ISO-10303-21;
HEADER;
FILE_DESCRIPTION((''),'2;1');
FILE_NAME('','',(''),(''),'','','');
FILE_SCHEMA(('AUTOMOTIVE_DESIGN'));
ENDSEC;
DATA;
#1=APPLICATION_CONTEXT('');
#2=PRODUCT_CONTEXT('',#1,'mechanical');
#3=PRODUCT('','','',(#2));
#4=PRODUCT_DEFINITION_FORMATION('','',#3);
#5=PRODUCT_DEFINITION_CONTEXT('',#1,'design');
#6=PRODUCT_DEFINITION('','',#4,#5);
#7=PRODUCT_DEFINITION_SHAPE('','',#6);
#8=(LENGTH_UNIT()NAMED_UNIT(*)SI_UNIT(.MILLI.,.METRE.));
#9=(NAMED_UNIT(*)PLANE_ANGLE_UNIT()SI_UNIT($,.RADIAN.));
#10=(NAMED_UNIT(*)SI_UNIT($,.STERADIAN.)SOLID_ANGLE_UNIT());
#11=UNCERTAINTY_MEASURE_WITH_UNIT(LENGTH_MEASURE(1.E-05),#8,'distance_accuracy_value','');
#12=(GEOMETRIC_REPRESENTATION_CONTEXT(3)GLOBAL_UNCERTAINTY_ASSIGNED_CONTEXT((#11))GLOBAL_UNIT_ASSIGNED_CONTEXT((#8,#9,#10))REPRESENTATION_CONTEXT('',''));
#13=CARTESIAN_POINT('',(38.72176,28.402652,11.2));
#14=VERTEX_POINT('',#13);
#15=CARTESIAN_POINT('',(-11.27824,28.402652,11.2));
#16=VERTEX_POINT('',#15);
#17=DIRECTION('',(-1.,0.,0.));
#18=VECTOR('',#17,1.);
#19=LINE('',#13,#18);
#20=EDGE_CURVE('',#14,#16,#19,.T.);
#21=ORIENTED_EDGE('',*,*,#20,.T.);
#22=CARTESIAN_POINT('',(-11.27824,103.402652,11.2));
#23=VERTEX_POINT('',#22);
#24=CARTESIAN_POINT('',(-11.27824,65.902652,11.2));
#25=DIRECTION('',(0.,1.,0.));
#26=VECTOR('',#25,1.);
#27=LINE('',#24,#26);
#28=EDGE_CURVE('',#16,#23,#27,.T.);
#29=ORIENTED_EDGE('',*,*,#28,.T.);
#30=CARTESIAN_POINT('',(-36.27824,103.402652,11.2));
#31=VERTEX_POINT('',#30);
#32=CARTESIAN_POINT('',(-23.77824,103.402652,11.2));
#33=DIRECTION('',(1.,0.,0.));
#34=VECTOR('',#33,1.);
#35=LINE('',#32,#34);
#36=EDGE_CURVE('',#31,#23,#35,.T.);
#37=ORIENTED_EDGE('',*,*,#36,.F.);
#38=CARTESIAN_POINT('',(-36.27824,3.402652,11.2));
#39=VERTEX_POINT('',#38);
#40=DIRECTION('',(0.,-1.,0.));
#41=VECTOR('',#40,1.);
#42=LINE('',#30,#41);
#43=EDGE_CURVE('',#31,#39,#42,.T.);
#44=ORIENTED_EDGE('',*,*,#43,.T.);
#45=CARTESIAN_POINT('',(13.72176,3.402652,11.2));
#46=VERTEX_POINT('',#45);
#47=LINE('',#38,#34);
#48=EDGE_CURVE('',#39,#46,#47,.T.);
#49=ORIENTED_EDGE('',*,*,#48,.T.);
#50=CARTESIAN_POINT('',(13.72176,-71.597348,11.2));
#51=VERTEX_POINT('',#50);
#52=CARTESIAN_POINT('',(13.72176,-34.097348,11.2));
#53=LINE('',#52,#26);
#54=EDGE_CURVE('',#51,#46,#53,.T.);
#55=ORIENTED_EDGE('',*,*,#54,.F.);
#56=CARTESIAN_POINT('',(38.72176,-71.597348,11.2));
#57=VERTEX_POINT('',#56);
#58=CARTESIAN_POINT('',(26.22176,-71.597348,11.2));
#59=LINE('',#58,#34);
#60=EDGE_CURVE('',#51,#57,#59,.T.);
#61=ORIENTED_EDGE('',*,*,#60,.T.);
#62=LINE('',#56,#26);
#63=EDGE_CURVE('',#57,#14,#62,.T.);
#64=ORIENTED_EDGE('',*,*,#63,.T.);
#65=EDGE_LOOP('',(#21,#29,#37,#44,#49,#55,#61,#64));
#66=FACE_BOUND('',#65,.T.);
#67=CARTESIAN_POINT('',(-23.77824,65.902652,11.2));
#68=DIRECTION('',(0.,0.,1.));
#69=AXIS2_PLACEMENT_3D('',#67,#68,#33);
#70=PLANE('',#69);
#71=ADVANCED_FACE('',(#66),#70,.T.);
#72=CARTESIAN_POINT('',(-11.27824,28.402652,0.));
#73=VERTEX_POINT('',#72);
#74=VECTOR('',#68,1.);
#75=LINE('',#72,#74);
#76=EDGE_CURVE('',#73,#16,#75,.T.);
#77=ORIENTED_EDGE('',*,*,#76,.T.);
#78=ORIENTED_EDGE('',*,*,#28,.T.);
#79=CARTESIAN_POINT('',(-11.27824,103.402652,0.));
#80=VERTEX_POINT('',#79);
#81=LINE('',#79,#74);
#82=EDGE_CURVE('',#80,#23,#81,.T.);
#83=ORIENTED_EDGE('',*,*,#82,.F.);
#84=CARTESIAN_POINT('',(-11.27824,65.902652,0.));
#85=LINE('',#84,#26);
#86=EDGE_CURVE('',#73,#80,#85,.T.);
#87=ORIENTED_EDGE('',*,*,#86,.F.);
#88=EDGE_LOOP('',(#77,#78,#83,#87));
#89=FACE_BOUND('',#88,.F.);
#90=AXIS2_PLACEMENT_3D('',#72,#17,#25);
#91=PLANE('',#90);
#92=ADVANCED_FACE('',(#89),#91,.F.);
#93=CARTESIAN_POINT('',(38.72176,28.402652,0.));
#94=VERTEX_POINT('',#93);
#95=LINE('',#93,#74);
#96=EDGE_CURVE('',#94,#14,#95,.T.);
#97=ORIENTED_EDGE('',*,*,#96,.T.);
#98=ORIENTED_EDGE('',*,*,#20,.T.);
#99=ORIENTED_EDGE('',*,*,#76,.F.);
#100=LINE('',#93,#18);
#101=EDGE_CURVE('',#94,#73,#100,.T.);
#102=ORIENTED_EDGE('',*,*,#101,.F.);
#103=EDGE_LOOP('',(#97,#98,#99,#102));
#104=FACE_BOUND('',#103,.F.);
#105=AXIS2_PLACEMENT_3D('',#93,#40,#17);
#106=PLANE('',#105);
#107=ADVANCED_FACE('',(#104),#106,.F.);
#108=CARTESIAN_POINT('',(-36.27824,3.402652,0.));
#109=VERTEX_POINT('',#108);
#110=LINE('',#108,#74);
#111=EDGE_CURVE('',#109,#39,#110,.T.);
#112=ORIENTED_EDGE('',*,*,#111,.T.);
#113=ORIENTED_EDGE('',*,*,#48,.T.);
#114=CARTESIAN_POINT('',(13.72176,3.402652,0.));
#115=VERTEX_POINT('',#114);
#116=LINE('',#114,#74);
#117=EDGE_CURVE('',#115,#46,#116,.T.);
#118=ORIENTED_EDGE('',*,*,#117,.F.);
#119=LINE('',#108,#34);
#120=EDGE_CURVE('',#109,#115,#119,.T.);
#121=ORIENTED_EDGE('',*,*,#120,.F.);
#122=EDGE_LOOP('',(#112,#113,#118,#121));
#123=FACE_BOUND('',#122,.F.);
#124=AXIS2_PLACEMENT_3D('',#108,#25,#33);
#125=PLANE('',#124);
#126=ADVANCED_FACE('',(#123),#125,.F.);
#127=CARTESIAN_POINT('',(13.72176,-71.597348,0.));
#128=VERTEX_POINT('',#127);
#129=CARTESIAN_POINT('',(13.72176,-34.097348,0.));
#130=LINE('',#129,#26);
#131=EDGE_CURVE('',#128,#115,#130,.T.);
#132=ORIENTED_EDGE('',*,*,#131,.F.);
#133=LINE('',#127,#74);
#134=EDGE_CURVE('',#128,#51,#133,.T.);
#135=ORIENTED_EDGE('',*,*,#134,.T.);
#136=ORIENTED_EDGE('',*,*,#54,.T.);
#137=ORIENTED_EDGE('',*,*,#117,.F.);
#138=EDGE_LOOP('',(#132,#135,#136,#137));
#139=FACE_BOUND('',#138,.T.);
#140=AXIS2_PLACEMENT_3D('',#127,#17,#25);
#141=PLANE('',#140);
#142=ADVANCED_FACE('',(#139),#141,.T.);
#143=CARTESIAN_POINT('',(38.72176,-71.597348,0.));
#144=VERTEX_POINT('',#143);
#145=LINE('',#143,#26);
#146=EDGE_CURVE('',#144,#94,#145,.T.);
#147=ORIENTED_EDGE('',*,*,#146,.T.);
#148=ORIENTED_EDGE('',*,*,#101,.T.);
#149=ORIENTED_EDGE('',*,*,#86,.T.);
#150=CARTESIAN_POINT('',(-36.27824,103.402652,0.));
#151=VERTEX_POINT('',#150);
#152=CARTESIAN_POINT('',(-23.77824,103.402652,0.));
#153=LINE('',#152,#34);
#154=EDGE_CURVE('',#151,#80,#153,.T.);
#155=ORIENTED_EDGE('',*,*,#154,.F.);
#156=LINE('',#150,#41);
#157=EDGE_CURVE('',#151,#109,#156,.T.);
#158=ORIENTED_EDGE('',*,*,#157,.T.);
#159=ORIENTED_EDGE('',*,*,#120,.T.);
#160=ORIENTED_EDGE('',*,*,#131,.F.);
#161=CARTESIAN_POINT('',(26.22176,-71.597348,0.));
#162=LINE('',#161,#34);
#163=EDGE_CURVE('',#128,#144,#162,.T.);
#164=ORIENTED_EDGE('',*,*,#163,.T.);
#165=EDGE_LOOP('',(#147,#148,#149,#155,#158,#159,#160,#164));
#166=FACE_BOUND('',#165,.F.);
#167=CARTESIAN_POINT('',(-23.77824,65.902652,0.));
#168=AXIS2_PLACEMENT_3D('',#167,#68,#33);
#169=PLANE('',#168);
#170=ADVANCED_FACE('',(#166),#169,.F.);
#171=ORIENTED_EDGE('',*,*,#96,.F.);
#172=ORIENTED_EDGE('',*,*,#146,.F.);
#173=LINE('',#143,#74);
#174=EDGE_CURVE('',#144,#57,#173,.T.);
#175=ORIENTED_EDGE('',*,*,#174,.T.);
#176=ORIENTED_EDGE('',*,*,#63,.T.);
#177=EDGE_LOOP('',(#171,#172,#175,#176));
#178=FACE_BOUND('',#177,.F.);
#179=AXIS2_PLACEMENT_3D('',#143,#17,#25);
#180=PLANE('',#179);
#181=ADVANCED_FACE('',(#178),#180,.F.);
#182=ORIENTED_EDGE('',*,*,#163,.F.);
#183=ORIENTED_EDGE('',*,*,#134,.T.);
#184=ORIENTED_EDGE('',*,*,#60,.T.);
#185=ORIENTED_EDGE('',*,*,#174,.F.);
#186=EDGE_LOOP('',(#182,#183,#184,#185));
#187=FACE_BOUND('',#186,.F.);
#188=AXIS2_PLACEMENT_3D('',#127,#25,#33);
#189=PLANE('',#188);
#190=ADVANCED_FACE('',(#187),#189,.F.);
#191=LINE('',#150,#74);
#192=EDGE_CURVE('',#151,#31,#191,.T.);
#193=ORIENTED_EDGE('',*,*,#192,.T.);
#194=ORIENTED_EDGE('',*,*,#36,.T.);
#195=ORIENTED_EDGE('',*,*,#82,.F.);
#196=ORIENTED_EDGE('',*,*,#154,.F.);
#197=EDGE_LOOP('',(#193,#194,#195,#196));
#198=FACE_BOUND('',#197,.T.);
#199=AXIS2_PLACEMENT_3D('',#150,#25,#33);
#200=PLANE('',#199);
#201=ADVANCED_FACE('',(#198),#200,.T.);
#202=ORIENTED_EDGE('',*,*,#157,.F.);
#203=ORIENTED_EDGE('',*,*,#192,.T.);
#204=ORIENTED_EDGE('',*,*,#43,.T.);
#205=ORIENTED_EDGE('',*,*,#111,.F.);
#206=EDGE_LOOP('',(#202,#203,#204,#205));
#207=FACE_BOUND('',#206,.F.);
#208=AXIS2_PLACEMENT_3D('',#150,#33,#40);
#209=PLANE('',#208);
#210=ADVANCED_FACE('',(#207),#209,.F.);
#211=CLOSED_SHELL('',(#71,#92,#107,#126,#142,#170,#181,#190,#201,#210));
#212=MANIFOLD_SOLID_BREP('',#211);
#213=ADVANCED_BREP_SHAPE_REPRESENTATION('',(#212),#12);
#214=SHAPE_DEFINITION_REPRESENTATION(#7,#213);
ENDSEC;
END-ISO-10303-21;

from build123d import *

# Parameters (mm, degrees)
F0_W     = 25
F0_H     = 75
F1_DEPTH = 11.2


with BuildPart() as f1:
    # F0 (on Top) → F1 (new body)
    with BuildSketch(Plane.XY):
        with Locations((-23.77824, 65.902652)):
            Rectangle(F0_W, F0_H)
        Polygon((-11.27824, 28.402652), (-36.27824, 28.402652), (-36.27824, 3.402652), (13.72176, 3.402652), (38.72176, 3.402652), (38.72176, 28.402652), align=None)
        with Locations((26.22176, -34.097348)):
            Rectangle(F0_W, F0_H)
    extrude(amount=F1_DEPTH)


solid = f1.part
